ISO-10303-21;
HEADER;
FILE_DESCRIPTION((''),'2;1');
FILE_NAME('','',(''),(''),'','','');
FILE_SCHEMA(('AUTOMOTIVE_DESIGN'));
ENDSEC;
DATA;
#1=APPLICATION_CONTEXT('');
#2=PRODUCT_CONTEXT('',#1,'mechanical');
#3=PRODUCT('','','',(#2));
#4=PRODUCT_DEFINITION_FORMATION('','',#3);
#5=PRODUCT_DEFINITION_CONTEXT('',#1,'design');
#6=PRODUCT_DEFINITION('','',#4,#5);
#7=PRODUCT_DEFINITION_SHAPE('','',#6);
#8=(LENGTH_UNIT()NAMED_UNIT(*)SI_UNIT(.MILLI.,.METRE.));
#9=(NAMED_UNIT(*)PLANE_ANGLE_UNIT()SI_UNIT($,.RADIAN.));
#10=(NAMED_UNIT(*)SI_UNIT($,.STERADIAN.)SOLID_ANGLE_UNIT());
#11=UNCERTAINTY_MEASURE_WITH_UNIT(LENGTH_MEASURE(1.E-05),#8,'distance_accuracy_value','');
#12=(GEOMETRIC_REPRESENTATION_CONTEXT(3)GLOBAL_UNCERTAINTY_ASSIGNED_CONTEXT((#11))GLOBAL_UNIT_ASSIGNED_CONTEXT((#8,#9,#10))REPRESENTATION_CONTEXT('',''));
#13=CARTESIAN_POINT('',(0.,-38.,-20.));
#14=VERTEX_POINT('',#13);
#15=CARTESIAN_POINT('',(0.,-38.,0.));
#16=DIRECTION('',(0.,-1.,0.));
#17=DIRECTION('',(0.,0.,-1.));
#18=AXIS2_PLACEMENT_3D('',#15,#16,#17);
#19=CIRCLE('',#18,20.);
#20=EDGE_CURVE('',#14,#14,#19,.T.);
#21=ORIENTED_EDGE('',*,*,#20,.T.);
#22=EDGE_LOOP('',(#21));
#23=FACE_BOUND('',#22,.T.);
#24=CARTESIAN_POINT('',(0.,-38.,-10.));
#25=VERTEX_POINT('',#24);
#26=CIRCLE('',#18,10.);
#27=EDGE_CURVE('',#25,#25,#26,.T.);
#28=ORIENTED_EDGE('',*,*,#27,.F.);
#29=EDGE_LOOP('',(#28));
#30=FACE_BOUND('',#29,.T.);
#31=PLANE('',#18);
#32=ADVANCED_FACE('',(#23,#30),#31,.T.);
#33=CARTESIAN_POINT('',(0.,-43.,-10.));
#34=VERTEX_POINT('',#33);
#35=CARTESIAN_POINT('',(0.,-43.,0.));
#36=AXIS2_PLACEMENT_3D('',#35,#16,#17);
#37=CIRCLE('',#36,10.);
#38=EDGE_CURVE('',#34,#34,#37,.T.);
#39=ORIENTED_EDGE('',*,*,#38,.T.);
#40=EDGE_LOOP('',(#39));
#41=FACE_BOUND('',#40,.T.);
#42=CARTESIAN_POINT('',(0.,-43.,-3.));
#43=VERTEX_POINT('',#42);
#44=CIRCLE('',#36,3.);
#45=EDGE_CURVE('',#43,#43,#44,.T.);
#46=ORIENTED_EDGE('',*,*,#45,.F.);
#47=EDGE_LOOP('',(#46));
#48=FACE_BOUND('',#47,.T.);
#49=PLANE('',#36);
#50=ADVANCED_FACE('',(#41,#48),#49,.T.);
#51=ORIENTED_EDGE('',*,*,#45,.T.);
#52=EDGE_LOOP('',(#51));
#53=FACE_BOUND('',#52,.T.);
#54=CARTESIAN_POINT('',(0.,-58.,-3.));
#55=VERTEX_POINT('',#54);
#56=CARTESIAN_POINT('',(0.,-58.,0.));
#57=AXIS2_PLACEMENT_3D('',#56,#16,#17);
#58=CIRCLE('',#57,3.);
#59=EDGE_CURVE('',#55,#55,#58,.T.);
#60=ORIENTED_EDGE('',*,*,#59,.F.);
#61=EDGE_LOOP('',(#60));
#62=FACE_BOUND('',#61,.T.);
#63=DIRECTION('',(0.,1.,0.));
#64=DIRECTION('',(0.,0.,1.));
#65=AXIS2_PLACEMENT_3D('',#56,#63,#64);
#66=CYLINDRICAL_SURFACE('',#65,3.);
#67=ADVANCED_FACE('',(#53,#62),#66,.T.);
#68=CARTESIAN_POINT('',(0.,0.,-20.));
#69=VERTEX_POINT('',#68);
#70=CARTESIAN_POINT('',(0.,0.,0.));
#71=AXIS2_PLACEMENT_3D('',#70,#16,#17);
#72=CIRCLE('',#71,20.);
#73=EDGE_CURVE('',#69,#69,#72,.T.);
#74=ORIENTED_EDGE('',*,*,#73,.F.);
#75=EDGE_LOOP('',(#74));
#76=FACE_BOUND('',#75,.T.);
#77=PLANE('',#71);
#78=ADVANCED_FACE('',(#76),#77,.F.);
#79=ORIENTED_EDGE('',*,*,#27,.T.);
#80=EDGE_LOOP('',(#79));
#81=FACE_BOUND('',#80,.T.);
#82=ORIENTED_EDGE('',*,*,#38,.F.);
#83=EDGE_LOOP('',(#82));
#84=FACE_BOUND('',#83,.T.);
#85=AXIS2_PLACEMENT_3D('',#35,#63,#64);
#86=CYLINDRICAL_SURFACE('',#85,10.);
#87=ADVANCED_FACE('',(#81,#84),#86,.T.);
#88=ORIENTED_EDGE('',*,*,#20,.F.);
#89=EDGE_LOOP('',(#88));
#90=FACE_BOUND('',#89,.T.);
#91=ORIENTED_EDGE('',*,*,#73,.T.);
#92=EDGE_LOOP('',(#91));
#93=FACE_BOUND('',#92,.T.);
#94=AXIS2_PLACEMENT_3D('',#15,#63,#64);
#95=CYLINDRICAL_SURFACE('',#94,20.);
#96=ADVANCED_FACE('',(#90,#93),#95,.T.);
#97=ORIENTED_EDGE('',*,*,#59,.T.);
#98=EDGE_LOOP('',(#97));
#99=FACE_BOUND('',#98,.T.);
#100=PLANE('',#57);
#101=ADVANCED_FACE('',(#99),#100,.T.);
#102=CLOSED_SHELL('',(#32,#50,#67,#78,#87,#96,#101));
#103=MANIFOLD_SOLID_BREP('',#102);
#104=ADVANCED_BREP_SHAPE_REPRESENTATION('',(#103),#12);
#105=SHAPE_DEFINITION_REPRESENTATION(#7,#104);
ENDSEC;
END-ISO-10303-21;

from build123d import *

# Parameters (mm, degrees)
ESBO_O11_R               = 20
RESSALTO_EXTRUS_O3_DEPTH = 38
ESBO_O12_R               = 10
RESSALTO_EXTRUS_O4_DEPTH = 5
ESBO_O13_R               = 3
RESSALTO_EXTRUS_O5_DEPTH = 15


with BuildPart() as part:
    # Esboço11 → Ressalto-extrusão3 (new body)
    with BuildSketch(Plane.XZ):
        Circle(ESBO_O11_R)
    extrude(amount=RESSALTO_EXTRUS_O3_DEPTH)

    # Esboço12 → Ressalto-extrusão4 (add)
    with BuildSketch(Plane.XZ.offset(38)):
        Circle(ESBO_O12_R)
    extrude(amount=RESSALTO_EXTRUS_O4_DEPTH)

    # Esboço13 → Ressalto-extrusão5 (add)
    with BuildSketch(Plane.XZ.offset(43)):
        Circle(ESBO_O13_R)
    extrude(amount=RESSALTO_EXTRUS_O5_DEPTH)


solid = part.part
